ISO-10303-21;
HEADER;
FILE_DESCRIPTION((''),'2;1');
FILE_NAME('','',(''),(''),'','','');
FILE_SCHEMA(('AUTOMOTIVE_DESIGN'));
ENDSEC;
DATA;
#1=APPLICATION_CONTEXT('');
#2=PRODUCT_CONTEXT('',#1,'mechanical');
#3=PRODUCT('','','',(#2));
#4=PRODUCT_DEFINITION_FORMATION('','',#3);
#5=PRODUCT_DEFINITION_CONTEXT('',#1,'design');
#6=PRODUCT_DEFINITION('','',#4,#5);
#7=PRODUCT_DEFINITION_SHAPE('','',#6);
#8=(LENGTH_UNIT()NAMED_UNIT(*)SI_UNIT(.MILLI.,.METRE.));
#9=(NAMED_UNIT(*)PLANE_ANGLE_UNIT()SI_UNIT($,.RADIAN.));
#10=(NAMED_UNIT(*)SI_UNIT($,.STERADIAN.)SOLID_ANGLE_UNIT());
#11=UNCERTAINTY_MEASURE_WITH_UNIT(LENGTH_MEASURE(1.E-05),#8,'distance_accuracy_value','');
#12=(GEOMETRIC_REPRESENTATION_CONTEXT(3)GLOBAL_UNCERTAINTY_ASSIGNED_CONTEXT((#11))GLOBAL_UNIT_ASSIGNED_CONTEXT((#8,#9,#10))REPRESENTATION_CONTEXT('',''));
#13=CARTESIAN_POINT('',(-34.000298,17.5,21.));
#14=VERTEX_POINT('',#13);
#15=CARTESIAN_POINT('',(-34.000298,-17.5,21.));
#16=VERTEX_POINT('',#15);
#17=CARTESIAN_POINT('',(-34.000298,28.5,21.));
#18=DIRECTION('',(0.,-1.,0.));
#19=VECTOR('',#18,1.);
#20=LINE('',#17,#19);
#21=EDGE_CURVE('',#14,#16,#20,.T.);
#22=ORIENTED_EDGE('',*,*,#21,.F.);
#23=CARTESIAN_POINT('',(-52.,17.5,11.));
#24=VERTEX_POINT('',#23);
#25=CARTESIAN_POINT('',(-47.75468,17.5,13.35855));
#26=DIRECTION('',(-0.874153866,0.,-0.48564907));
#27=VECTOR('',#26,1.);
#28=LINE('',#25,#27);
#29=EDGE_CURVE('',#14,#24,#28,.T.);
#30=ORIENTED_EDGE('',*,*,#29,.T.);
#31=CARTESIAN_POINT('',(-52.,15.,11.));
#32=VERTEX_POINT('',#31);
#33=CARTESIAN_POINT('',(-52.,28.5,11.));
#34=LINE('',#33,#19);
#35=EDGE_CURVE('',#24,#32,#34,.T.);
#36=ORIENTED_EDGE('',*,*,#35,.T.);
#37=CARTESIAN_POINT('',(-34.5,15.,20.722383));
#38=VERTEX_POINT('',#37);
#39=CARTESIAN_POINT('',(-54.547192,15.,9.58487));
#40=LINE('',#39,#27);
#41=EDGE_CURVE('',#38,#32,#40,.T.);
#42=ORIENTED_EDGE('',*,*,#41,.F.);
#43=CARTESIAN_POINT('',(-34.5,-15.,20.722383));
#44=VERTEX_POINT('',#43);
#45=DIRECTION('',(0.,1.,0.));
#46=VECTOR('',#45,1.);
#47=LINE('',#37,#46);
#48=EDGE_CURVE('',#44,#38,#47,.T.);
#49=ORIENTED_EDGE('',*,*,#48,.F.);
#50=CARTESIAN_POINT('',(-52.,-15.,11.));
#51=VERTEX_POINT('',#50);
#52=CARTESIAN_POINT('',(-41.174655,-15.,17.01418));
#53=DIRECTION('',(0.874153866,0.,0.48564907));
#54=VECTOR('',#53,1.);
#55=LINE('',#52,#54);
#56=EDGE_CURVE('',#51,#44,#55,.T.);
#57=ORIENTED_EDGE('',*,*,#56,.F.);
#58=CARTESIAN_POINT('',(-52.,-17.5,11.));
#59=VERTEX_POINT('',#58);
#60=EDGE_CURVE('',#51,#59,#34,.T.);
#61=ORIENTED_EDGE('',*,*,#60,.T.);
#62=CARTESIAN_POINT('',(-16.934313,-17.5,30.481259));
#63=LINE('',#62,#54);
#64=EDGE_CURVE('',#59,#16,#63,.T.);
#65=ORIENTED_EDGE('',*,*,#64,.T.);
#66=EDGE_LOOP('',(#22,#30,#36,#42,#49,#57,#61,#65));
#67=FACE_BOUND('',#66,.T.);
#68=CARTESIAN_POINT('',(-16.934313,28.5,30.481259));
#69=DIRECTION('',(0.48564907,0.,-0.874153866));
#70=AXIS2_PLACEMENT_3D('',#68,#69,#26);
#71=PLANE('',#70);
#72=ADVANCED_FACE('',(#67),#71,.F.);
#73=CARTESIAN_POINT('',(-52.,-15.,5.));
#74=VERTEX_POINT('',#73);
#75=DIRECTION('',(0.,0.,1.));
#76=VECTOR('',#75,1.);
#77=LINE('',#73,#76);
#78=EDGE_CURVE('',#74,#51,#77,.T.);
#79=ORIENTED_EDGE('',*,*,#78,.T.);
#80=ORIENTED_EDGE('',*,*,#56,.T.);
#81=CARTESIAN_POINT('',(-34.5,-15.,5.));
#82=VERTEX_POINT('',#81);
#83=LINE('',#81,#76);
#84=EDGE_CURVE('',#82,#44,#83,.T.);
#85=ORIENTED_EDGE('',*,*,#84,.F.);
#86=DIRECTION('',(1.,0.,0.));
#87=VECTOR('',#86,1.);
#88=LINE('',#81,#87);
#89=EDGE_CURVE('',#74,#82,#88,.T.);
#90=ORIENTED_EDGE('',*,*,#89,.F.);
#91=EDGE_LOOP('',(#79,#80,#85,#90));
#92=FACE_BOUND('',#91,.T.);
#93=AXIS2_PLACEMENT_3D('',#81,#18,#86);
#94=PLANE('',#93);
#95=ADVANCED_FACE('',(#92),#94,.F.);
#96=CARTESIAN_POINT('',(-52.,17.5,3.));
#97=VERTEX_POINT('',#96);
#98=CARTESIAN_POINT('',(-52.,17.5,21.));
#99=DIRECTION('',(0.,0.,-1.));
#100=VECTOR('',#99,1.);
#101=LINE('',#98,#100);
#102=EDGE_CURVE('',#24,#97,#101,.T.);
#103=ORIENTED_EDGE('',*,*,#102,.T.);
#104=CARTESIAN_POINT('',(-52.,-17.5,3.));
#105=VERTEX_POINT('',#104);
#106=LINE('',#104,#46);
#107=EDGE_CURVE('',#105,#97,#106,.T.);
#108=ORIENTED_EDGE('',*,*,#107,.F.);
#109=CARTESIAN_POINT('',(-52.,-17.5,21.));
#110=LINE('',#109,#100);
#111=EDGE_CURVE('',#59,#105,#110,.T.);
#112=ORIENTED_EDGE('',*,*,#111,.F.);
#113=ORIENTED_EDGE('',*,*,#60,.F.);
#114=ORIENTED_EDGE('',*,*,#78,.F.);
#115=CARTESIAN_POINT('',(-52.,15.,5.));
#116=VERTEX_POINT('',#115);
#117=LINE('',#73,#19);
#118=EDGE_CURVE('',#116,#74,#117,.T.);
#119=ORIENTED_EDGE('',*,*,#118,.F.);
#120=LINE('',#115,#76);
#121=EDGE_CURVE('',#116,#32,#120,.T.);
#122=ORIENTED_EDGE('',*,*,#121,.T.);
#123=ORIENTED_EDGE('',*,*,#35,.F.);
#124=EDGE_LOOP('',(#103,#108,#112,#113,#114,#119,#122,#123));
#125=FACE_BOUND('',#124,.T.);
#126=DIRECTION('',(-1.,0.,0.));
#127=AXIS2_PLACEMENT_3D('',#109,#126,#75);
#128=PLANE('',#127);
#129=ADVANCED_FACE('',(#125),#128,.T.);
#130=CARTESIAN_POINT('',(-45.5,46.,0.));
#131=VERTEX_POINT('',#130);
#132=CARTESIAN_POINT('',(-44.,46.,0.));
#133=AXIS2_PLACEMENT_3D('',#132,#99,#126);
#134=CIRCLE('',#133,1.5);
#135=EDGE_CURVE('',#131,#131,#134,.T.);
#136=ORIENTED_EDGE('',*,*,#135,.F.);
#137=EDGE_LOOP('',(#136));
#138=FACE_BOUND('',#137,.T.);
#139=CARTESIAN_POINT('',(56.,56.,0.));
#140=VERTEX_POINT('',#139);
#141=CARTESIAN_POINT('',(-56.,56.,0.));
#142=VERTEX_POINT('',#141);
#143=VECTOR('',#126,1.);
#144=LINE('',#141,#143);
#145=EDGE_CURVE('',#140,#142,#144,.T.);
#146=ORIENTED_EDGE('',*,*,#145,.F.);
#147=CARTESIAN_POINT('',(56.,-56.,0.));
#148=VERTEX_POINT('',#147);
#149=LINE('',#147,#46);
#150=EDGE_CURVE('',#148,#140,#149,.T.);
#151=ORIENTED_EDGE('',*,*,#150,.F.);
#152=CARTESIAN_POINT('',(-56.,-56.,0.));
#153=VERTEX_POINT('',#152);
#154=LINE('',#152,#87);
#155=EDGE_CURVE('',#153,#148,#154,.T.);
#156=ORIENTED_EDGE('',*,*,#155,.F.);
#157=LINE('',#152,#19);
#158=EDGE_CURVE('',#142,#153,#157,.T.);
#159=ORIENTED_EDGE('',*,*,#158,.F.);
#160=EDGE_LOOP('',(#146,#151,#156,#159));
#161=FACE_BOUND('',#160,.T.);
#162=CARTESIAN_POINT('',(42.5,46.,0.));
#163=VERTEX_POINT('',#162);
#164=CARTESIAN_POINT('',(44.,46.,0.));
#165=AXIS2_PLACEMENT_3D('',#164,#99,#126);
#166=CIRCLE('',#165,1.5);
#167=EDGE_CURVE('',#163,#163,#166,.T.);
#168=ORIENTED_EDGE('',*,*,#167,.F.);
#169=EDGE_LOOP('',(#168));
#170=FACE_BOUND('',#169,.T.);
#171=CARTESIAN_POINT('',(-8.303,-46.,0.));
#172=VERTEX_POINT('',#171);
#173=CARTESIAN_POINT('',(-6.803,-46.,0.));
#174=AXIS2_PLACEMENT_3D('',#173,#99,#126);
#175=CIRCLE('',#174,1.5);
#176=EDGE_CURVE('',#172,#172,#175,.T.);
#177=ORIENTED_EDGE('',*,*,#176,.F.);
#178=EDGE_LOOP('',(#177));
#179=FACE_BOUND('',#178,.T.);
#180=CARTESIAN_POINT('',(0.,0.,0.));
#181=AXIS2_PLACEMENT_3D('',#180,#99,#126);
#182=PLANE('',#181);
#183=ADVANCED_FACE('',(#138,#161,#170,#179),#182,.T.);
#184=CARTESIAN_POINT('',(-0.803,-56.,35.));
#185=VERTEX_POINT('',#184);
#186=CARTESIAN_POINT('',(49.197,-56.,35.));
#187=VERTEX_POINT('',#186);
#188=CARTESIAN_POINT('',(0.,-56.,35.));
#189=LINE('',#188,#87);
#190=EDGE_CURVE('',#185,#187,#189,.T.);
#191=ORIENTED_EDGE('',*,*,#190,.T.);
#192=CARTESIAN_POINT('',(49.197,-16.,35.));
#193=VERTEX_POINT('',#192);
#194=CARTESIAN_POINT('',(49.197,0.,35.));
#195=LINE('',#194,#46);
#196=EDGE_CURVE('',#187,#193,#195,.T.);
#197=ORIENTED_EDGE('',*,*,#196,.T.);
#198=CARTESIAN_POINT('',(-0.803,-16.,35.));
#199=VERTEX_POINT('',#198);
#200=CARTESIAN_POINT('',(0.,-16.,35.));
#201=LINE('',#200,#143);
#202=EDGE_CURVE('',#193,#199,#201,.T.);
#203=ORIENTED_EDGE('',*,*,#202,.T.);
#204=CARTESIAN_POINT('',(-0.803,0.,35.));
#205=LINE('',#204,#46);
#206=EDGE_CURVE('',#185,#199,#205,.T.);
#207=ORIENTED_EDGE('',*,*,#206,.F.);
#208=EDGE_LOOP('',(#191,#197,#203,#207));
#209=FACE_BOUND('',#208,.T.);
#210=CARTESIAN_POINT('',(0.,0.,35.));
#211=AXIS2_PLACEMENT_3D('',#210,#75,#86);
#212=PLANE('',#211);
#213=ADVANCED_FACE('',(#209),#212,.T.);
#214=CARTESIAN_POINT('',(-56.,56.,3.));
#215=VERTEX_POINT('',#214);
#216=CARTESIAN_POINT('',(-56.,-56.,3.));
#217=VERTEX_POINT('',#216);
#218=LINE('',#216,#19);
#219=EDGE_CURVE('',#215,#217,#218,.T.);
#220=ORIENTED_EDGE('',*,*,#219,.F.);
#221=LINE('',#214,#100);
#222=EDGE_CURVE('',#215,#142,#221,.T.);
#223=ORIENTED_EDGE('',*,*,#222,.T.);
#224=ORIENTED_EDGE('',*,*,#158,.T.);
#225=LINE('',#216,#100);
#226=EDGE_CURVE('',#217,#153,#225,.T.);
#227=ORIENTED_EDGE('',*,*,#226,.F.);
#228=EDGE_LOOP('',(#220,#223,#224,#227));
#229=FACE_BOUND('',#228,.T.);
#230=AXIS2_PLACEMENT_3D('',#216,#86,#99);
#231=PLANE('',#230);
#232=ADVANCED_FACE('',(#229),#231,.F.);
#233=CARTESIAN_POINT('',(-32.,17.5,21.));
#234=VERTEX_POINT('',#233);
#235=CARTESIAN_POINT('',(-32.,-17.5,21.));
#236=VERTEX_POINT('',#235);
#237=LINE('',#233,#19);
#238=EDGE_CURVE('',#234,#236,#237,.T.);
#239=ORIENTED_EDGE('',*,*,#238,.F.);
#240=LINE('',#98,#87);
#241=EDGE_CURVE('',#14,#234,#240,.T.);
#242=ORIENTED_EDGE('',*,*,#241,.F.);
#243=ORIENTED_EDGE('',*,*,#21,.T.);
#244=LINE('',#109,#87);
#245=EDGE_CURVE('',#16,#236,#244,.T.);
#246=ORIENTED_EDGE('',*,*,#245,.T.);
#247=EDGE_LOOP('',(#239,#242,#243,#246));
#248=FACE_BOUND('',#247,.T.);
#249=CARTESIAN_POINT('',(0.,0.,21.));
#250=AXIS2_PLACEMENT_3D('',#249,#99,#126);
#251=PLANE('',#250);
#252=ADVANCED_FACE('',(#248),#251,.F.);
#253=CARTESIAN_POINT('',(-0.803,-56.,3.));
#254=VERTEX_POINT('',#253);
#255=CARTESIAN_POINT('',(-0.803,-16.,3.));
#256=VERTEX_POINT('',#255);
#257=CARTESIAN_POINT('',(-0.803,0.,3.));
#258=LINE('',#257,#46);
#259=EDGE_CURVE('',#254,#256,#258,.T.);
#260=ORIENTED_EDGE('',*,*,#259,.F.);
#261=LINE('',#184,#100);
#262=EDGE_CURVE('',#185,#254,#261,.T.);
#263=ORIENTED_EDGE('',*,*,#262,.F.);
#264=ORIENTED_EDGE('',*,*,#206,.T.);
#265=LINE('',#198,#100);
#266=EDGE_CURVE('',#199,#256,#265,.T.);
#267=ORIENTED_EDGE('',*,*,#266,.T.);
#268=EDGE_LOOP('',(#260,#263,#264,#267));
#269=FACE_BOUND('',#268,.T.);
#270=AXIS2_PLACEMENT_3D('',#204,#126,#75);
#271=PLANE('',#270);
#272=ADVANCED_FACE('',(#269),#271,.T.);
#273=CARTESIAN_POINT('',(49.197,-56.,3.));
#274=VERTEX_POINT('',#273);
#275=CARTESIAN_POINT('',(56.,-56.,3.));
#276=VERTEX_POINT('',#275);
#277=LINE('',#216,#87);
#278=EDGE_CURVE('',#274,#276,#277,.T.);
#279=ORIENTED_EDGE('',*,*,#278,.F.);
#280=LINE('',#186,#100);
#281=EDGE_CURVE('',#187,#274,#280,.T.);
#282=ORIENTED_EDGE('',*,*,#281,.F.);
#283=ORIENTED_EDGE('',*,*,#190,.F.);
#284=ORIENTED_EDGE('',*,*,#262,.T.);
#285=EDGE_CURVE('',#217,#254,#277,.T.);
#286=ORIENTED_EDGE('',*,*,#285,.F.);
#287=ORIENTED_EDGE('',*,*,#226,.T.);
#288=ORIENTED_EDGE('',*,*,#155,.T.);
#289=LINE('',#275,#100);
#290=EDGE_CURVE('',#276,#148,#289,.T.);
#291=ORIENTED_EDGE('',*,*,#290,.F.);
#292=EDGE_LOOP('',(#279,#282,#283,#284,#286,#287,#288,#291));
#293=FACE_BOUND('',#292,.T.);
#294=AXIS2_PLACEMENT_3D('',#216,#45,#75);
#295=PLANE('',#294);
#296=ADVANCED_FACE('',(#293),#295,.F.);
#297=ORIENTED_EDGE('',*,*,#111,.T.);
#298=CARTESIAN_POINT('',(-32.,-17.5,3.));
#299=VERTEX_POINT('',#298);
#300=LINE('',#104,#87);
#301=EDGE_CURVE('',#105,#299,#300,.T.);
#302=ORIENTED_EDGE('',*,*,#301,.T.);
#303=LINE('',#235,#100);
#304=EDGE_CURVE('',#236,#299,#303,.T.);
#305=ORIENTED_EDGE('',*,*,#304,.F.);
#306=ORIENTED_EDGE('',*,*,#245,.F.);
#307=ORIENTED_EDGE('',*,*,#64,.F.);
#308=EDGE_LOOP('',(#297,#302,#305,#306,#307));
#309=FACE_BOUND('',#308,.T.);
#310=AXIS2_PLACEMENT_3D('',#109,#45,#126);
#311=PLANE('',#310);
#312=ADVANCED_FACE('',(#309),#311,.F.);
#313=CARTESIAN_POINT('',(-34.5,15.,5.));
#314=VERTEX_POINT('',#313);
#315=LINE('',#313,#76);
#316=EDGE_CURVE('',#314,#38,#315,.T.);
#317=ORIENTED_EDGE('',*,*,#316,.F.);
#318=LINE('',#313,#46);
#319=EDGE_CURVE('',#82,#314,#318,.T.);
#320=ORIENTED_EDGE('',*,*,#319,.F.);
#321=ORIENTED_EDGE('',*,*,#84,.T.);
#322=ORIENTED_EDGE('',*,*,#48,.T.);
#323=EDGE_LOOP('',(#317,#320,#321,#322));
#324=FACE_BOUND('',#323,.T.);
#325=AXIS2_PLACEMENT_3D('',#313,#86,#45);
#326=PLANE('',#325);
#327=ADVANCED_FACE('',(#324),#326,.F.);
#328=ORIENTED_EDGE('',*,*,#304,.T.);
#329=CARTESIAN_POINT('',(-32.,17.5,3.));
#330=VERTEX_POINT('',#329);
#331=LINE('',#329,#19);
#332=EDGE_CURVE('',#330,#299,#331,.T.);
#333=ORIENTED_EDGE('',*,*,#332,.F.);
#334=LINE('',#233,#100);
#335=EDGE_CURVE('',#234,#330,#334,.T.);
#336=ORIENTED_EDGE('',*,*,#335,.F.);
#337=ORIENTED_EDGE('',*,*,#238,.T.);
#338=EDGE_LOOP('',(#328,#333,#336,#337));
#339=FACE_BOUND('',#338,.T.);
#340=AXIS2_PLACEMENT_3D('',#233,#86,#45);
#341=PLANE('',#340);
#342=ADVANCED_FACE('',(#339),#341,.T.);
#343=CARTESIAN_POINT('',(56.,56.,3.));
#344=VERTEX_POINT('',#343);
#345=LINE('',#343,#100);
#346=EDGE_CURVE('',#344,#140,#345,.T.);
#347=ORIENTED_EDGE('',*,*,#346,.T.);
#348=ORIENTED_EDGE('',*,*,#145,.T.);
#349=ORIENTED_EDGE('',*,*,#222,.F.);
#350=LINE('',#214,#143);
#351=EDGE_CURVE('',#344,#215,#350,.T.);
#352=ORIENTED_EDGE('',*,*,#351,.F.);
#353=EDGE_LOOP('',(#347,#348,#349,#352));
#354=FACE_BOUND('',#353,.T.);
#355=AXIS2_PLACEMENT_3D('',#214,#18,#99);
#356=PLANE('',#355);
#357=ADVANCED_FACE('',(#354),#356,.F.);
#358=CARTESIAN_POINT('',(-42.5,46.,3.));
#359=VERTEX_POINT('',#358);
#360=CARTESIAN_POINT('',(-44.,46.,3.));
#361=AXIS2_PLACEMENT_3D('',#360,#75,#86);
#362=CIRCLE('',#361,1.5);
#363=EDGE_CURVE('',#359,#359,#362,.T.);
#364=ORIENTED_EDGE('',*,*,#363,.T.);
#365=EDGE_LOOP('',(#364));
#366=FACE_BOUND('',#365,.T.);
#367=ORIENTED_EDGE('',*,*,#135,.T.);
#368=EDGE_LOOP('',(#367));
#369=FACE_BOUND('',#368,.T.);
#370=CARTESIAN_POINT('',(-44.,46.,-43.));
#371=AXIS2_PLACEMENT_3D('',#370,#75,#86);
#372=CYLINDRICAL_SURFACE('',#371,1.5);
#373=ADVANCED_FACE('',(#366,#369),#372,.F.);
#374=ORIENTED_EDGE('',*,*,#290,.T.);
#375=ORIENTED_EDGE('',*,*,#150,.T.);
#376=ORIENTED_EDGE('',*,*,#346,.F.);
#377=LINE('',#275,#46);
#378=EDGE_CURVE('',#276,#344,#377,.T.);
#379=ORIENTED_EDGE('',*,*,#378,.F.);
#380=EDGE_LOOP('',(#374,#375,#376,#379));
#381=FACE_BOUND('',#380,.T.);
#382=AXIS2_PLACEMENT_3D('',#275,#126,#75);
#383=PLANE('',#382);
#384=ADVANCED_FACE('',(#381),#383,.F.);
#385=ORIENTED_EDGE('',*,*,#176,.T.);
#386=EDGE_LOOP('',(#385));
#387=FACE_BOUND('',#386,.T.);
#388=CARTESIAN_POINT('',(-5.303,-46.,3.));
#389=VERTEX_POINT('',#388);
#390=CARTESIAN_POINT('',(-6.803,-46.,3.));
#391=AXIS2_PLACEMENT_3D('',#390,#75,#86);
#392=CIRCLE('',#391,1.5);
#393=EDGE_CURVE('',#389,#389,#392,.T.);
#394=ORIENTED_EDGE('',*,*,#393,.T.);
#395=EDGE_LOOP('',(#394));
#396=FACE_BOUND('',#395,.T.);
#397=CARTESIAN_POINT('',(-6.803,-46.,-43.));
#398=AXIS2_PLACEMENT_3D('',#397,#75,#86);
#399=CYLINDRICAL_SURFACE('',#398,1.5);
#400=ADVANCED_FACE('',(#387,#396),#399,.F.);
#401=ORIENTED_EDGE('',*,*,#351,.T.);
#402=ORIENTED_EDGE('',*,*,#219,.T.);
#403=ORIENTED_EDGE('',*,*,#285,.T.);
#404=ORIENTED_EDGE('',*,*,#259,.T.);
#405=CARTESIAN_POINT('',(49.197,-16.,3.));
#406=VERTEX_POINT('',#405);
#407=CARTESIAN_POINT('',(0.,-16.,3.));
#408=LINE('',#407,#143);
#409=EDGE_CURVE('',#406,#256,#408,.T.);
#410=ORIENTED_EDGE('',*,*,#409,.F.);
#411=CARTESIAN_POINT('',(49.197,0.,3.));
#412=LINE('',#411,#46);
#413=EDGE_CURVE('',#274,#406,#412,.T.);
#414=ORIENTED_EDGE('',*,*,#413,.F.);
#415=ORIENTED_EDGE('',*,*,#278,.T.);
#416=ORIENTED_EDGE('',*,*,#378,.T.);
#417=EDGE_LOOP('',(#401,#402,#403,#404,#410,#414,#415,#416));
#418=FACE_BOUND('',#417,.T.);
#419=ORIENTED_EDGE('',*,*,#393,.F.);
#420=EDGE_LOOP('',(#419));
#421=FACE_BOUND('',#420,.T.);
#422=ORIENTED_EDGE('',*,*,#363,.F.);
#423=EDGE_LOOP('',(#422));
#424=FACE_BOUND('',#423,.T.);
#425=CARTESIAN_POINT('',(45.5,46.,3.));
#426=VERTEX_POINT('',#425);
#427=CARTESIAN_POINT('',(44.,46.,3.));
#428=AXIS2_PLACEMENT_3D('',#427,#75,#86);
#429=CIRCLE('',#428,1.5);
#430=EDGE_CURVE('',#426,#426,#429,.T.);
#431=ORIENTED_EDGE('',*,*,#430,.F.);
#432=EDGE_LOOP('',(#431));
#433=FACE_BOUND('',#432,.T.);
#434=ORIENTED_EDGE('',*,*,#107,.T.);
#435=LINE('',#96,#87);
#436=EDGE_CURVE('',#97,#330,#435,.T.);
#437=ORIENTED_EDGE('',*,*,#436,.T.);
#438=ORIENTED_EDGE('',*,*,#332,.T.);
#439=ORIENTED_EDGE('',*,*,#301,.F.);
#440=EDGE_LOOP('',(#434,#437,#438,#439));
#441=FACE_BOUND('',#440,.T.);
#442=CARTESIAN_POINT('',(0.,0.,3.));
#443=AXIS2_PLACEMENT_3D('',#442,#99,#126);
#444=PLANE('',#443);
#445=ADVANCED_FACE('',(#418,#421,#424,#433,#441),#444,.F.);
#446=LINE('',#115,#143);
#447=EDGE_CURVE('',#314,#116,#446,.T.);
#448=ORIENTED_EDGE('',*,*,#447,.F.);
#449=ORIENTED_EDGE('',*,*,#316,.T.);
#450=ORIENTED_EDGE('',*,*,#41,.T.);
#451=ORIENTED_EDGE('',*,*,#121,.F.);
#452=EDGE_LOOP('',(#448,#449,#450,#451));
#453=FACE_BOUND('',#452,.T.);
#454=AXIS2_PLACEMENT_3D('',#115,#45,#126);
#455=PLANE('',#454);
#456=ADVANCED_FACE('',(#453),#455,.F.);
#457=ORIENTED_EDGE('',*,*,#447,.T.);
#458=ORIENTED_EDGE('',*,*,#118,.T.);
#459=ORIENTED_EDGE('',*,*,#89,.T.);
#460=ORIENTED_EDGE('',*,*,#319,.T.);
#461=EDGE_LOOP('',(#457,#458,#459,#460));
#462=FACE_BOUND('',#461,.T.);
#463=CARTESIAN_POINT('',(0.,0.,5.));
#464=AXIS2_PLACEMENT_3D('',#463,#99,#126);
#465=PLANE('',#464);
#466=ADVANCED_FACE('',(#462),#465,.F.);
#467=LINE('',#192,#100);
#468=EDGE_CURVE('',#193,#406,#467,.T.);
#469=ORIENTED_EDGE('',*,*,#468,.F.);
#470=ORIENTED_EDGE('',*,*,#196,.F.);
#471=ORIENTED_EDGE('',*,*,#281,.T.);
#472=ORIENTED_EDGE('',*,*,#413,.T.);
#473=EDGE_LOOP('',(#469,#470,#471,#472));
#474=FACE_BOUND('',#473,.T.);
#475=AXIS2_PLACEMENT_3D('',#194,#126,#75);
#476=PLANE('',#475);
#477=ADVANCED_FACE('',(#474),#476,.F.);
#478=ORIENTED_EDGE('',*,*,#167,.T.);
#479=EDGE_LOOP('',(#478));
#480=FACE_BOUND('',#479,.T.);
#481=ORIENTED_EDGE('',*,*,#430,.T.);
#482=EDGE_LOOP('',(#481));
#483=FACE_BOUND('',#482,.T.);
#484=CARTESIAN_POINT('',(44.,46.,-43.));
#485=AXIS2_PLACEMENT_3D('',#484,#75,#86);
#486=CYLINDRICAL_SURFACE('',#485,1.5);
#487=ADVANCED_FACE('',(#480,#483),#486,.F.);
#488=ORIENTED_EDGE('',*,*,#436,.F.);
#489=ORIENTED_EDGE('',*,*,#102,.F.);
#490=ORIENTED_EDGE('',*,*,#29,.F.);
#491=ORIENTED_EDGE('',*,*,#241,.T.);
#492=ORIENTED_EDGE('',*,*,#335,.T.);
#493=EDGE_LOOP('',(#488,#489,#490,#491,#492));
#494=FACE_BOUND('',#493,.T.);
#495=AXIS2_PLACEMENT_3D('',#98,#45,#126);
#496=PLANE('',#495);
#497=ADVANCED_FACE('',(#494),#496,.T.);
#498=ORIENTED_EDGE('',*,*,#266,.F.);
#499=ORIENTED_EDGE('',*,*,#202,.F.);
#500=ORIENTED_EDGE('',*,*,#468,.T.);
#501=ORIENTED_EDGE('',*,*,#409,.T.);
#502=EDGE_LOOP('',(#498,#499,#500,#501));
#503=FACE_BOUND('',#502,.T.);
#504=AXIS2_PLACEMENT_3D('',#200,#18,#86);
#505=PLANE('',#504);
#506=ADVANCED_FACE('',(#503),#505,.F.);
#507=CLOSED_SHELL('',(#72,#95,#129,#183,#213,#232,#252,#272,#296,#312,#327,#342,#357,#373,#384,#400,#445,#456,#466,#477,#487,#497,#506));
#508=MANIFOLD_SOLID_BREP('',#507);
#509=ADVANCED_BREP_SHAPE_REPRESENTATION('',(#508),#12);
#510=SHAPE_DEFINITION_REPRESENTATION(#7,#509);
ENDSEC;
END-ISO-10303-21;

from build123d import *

# Parameters (mm, degrees)
CROQUIS1_W              = 112
CROQUIS1_H              = 112
SALIENTE_EXTRUIR1_DEPTH = 3
CROQUIS2_W              = 50
CROQUIS2_H              = 40
SALIENTE_EXTRUIR2_DEPTH = 32
CROQUIS3_W              = 20
CROQUIS3_H              = 35
SALIENTE_EXTRUIR3_DEPTH = 18
CROQUIS4_W              = 17.5
CROQUIS4_H              = 30
CORTAR_EXTRUIR1_DEPTH   = 16
CORTAR_EXTRUIR2_DEPTH   = 46
CROQUIS6_R              = 1.5
CORTAR_EXTRUIR3_DEPTH   = 46


with BuildPart() as part:
    # Croquis1 → Saliente-Extruir1 (new body)
    with BuildSketch(Plane.XY):
        Rectangle(CROQUIS1_W, CROQUIS1_H)
    extrude(amount=SALIENTE_EXTRUIR1_DEPTH)

    # Croquis2 → Saliente-Extruir2 (add)
    with BuildSketch(Plane.XY.offset(3)):
        with Locations((24.197, -36)):
            Rectangle(CROQUIS2_W, CROQUIS2_H)
    extrude(amount=SALIENTE_EXTRUIR2_DEPTH)

    # Croquis3 → Saliente-Extruir3 (add)
    with BuildSketch(Plane.XY.offset(3)):
        with Locations((-42, 0)):
            Rectangle(CROQUIS3_W, CROQUIS3_H)
    extrude(amount=SALIENTE_EXTRUIR3_DEPTH)

    # Croquis4 → Cortar-Extruir1 (cut)
    with BuildSketch(Plane.XY.offset(21)):
        with Locations((-43.25, 0)):
            Rectangle(CROQUIS4_W, CROQUIS4_H)
    extrude(amount=-CORTAR_EXTRUIR1_DEPTH, mode=Mode.SUBTRACT)

    # Croquis5 → Cortar-Extruir2 (cut)
    with BuildSketch(Plane.XZ.offset(17.5)):
        Polygon((-52, 21), (-52, 11), (-34.000297752, 21), align=None)
    extrude(amount=-CORTAR_EXTRUIR2_DEPTH, mode=Mode.SUBTRACT)

    # Croquis6 → Cortar-Extruir3 (cut)
    with BuildSketch(Plane.XY.offset(3)):
        with Locations((-44, 46)):
            Circle(CROQUIS6_R)
        with Locations((44, 46)):
            Circle(CROQUIS6_R)
        with Locations((-6.803, -46)):
            Circle(CROQUIS6_R)
    extrude(amount=-CORTAR_EXTRUIR3_DEPTH, mode=Mode.SUBTRACT)


solid = part.part
